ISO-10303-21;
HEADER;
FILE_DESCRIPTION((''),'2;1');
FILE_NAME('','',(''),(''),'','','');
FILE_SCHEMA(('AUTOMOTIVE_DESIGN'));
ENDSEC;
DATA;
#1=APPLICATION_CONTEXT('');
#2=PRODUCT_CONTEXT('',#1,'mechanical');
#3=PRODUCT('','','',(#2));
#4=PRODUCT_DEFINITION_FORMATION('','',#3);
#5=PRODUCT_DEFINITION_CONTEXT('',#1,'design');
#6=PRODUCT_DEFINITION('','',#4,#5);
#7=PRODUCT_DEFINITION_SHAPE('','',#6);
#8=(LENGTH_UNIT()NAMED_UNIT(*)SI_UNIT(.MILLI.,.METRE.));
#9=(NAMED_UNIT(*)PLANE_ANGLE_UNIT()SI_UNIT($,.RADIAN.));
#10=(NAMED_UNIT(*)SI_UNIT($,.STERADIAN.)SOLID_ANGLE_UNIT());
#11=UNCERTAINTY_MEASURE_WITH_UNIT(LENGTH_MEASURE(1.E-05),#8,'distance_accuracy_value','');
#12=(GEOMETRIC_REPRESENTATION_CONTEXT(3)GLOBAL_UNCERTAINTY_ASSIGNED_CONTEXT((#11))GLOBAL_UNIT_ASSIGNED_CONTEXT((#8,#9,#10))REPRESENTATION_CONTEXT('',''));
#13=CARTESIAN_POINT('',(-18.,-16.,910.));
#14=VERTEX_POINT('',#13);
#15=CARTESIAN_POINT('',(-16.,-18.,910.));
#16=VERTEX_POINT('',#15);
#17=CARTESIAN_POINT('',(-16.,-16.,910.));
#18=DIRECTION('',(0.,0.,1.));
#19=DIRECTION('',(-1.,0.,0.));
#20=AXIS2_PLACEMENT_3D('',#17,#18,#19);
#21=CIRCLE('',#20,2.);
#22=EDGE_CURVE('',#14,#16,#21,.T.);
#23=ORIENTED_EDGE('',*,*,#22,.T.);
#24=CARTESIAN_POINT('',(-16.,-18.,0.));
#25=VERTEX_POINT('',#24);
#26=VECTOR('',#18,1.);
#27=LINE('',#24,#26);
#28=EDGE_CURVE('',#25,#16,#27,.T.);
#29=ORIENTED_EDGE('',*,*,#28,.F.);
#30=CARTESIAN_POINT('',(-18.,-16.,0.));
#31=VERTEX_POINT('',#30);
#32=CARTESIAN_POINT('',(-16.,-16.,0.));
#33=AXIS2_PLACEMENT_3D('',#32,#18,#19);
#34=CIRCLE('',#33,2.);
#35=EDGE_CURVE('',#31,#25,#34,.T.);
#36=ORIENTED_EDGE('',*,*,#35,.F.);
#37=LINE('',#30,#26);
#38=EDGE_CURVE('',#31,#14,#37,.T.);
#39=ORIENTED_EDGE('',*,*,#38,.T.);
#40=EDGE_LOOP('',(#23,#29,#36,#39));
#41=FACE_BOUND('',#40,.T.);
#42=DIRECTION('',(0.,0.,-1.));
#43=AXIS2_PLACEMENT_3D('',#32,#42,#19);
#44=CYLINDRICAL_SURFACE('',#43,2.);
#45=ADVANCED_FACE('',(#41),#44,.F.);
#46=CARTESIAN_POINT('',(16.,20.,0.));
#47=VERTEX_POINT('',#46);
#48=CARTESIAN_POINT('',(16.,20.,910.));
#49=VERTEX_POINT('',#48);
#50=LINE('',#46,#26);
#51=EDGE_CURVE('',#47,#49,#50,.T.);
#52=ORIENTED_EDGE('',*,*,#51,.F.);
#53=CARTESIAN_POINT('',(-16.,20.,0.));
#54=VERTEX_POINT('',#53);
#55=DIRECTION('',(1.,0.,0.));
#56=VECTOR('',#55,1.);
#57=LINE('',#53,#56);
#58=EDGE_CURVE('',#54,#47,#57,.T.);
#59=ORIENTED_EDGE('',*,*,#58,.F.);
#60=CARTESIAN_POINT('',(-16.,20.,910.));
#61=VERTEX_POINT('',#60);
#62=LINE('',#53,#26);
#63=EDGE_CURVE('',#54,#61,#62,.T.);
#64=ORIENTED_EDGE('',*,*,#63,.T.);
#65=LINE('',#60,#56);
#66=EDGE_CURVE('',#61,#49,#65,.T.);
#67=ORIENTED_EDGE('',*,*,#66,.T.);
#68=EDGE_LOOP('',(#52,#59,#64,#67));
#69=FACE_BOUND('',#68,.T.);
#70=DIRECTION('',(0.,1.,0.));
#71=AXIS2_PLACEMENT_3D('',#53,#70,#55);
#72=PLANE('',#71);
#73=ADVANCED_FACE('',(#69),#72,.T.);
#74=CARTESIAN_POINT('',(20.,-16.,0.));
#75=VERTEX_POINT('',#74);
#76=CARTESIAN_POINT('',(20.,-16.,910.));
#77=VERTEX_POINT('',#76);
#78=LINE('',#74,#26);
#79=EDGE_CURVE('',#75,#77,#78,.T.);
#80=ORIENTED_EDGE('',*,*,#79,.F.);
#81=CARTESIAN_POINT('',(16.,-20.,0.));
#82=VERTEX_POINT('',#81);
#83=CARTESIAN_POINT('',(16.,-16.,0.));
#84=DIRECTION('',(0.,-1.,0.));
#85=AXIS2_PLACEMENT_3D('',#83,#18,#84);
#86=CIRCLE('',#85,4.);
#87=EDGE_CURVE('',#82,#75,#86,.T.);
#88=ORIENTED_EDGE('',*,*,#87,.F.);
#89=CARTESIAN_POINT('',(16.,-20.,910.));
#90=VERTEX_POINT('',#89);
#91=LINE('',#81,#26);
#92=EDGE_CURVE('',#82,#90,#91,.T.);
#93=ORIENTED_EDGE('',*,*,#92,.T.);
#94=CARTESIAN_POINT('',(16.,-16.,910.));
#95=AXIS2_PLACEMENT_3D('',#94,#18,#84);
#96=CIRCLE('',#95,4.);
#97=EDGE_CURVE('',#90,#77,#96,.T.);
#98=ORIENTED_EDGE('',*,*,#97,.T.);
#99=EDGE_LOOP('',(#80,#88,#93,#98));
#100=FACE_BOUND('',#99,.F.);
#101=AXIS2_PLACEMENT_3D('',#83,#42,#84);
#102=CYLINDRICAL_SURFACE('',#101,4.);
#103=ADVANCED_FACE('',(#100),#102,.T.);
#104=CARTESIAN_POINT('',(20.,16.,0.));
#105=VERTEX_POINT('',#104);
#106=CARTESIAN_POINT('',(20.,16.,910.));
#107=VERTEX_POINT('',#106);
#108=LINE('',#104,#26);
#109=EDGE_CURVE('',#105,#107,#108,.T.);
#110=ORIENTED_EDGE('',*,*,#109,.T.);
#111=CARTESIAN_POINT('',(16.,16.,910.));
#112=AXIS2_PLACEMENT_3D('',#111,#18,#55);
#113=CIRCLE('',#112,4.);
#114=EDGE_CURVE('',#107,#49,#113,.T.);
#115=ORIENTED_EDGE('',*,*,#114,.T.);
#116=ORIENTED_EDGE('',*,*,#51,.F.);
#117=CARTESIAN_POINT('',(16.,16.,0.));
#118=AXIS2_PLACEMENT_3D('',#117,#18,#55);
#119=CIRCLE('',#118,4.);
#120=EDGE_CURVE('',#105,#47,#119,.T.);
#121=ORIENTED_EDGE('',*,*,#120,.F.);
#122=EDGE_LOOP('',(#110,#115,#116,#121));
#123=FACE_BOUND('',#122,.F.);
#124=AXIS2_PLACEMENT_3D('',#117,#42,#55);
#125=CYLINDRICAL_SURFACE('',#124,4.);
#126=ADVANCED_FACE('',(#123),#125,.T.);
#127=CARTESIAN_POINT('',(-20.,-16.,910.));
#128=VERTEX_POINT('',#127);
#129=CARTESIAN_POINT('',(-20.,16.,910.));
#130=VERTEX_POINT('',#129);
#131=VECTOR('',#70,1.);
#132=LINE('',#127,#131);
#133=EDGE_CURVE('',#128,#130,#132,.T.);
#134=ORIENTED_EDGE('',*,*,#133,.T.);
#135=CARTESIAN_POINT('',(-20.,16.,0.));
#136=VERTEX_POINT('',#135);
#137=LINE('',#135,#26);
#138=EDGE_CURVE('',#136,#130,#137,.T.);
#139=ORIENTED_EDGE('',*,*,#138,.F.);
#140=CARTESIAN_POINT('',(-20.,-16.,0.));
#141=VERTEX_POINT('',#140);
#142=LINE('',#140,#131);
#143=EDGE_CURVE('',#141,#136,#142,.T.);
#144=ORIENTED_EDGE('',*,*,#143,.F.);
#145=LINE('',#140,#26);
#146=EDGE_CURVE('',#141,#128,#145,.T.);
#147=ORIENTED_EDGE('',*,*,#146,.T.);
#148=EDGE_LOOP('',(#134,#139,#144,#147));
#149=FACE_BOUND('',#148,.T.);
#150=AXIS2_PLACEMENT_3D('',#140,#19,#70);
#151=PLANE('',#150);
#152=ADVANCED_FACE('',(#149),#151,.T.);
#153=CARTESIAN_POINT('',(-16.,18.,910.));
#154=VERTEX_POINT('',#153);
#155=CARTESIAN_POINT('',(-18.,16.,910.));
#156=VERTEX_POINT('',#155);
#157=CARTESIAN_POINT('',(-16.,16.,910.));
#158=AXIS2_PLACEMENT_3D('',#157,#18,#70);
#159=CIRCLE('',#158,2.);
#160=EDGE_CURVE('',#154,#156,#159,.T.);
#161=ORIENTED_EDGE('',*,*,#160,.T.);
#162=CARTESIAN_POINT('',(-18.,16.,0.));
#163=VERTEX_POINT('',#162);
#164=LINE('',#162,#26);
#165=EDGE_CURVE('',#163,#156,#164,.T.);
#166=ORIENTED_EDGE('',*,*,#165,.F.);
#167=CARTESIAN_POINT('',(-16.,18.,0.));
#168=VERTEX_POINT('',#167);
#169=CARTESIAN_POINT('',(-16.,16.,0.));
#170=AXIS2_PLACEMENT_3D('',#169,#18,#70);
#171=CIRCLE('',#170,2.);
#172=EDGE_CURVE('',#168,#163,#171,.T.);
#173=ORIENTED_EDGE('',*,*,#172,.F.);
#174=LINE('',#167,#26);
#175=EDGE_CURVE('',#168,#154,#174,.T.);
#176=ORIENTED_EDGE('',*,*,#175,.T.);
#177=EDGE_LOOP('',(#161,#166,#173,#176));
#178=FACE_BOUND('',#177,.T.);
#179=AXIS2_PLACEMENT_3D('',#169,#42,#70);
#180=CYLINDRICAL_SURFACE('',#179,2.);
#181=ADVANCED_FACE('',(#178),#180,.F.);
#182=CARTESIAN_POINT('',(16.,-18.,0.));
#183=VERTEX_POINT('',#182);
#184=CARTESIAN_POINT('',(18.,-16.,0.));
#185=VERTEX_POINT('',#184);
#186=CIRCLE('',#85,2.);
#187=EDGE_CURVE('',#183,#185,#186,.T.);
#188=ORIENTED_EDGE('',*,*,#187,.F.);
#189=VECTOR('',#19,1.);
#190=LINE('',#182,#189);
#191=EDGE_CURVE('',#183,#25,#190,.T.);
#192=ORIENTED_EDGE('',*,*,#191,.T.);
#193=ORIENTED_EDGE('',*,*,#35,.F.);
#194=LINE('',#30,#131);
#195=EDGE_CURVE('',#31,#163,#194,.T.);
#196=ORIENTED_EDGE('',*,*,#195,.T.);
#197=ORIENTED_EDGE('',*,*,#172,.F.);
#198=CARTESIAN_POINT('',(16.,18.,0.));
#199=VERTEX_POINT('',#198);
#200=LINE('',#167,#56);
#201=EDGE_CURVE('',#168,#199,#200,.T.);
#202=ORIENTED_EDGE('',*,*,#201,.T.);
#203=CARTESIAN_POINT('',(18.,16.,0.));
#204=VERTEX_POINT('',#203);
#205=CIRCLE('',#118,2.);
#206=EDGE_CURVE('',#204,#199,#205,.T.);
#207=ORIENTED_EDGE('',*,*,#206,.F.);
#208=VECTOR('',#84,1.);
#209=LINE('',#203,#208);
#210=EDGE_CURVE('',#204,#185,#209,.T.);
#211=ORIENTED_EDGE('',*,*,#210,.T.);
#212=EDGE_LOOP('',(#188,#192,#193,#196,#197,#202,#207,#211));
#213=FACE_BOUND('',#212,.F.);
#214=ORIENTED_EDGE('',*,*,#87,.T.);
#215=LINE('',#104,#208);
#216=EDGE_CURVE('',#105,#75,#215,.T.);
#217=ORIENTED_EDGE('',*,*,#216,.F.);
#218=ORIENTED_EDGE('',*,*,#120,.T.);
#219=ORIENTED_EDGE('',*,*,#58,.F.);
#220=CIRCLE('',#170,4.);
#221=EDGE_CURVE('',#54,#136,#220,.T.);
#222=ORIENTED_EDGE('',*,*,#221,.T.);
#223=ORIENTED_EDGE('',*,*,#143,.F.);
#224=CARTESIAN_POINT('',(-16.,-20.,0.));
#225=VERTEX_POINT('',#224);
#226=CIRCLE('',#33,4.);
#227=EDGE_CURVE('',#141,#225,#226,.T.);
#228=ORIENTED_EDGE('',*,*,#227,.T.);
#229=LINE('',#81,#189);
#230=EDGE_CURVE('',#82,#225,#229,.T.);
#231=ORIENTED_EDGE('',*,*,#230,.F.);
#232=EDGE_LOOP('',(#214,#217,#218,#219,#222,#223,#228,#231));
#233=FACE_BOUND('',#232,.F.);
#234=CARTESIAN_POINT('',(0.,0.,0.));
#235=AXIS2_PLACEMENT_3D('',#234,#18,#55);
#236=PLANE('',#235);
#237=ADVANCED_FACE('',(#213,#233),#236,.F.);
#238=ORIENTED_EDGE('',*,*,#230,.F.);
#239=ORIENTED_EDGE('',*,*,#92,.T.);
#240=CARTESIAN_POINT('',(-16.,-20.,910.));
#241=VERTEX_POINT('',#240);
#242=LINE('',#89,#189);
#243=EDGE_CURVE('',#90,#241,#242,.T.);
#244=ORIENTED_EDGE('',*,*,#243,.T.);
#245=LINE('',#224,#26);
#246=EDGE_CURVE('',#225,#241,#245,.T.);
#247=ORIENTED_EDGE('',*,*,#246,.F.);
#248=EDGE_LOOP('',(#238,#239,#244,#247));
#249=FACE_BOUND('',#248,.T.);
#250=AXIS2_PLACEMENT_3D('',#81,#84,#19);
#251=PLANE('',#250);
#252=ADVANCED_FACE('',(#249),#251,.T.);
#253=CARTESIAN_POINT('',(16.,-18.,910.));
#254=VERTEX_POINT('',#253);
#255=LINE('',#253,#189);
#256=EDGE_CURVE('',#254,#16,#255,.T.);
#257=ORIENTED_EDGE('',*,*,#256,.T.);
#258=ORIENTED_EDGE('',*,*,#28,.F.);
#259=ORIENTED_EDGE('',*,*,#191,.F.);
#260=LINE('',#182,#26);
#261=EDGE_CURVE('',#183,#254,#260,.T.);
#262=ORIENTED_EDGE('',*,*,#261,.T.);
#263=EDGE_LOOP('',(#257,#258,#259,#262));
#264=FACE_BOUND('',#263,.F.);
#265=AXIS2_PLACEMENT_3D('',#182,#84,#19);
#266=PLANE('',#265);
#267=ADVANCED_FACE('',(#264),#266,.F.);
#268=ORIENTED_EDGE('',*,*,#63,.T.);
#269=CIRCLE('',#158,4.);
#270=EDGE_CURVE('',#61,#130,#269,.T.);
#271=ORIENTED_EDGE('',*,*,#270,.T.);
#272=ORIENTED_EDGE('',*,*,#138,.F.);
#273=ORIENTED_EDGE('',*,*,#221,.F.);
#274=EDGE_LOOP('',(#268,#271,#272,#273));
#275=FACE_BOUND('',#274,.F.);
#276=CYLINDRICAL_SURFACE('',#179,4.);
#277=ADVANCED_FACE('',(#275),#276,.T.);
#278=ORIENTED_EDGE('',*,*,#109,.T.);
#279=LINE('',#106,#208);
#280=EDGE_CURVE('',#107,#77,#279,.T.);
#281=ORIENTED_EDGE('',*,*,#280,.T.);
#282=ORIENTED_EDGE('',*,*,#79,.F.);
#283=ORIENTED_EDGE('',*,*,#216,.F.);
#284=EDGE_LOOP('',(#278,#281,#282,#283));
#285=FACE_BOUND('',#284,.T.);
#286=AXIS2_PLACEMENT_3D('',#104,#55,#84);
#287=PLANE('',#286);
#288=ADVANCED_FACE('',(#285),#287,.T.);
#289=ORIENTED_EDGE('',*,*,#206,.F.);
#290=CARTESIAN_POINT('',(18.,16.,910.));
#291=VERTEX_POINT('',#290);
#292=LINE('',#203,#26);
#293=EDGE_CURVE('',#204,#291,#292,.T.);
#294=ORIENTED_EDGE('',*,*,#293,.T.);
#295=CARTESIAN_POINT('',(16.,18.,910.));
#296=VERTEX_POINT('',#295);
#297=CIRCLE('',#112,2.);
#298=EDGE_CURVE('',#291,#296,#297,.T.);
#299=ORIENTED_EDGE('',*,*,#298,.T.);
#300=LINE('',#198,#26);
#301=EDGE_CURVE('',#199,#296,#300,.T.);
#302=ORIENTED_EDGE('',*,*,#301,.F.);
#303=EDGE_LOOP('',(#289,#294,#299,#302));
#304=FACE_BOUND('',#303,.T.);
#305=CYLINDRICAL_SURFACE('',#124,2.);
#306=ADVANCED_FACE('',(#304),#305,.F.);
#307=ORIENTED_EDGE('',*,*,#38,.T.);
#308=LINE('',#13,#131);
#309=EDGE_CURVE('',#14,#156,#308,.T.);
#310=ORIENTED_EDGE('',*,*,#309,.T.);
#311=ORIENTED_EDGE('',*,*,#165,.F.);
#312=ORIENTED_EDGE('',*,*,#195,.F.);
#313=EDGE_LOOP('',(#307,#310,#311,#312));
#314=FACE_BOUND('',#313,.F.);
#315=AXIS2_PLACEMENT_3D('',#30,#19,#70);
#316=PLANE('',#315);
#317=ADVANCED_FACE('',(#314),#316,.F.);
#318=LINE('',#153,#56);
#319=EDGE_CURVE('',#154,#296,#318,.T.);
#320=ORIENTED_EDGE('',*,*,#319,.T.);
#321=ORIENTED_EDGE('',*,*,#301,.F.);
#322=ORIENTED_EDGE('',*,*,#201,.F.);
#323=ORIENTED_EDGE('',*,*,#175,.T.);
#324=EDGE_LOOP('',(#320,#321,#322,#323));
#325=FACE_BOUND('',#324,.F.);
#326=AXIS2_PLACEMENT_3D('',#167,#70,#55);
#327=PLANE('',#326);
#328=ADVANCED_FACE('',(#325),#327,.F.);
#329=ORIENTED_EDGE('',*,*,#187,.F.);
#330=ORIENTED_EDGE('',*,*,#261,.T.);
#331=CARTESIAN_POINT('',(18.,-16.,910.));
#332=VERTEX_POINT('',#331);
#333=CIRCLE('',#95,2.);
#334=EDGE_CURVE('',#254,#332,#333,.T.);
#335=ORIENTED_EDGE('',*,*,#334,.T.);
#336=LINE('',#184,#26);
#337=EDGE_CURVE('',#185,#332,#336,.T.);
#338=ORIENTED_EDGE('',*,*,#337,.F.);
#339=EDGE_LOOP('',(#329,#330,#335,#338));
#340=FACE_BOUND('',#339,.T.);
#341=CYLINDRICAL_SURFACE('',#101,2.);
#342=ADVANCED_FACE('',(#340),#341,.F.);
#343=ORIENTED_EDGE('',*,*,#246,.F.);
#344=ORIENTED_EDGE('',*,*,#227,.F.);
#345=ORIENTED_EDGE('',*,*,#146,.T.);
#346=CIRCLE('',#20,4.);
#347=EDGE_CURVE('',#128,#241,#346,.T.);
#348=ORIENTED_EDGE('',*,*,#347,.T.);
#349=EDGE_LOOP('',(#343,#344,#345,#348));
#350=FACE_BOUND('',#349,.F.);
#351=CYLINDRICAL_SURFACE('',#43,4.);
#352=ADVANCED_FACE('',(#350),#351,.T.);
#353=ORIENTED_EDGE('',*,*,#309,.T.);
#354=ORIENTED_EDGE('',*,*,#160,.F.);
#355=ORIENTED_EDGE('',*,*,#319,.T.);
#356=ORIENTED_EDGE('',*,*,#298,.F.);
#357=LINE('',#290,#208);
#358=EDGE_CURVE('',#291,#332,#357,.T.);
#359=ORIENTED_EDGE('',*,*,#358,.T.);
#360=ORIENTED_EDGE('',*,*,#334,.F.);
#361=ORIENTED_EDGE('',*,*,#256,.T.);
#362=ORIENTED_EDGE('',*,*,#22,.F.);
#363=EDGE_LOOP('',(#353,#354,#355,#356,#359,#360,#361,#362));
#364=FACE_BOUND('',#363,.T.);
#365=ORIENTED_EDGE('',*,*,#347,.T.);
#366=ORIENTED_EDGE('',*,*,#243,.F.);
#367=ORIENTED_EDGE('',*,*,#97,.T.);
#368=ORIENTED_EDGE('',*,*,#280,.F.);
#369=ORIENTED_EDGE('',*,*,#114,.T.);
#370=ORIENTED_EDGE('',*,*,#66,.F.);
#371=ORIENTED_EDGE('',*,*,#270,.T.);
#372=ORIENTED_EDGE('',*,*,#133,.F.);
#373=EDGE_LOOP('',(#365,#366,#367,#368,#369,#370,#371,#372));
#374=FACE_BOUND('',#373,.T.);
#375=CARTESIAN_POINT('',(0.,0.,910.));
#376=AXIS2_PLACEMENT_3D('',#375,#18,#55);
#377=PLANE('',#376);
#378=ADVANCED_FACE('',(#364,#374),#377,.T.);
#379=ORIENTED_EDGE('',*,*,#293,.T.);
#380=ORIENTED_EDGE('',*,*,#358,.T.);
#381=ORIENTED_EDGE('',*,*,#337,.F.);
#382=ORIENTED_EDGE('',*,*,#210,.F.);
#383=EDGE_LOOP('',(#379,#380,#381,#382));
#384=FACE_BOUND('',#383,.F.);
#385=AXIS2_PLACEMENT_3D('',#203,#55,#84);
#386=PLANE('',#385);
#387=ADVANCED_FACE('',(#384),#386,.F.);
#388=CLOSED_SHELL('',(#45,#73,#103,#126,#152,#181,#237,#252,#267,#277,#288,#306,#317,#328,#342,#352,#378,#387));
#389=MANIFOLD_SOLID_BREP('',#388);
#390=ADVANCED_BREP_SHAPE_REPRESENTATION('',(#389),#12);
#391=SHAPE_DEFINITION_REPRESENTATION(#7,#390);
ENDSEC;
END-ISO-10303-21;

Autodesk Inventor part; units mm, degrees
ref_plane "YZ Plane" through (0, 0, 0) normal (1, 0, 0) x (0, 1, 0)
ref_plane "Start plane" through (0, 0, 0) normal (0, 0, 1) x (1, 0, 0)
ref_plane "End plane" through (0, 0, 910) normal (0, 0, 1) x (1, 0, 0)
sketch "Sketch" plane through (0, 0, 0) normal (0, 0, 1) x (1, 0, 0)
  line L0 (-20, -16) -> (-20, 16)
  line L1 (-16, 20) -> (16, 20)
  line L2 (20, 16) -> (20, -16)
  line L3 (16, -20) -> (-16, -20)
  arc A0 (-20, -16) -> (-16, -20) centre (-16, -16) ccw
  arc A1 (20, 16) -> (16, 20) centre (16, 16) ccw
  arc A2 (-16, 20) -> (-20, 16) centre (-16, 16) ccw
  arc A3 (16, -20) -> (20, -16) centre (16, -16) ccw
  arc A4 (-16, 18) -> (-18, 16) centre (-16, 16) ccw
  line L4 (-16, 18) -> (16, 18)
  arc A5 (18, 16) -> (16, 18) centre (16, 16) ccw
  line L5 (18, 16) -> (18, -16)
  arc A6 (16, -18) -> (18, -16) centre (16, -16) ccw
  line L6 (16, -18) -> (-16, -18)
  arc A7 (-18, -16) -> (-16, -18) centre (-16, -16) ccw
  line L7 (-18, -16) -> (-18, 16)
  line L8 (0, 36.7397) -> (0, -36.7397) construction
  line L9 (-36.7397, 0) -> (36.7397, 0) construction
  dimension "d7" = 4
  dimension "d9" = 40
  dimension "d11" = 40
  dimension "d12" = 2
  dimension "d15" = 20
  dimension "d16" = 20
extrude "Body" add sketch "Sketch" along normal up to surface (910 mm away) from surface at 0
sketch "Sketch3" plane through (0, 0, 0) normal (0, 0, 1) x (1, 0, 0)
  line L0 (0, 0) -> (10, 0)
ref_plane "Work Plane3" through (0, 0, 0) normal (0, -1, 0) x (1, 0, 0)
sketch "Sketch4" plane through (0, 0, 0) normal (0, -1, 0) x (1, 0, 0)
  line L0 (-2, 0) -> (12, 0) projected
  line L1 (-2, 910) -> (12, 910) projected
  dimension "d18" = 910
equation "\"d7\" = G_IR"
equation "\"d9\" = G_W"
equation "\"d11\" = G_H"
equation "\"d12\" = G_T"
equation "\"d15\" = 0.5 * d9"
equation "\"d16\" = 0.5 * d11"
equation "\"d3\" = G_L"
equation "\"G_W\" = 40"
equation "\"G_H\" = 40"
equation "\"G_T\" = 2"
equation "\"G_IR\" = 4"
equation "\"G_L\" = d18"
equation "\"G_OFFSET_START\" = 0"
equation "\"G_OFFSET_END\" = 0"
properties part number "ISO 10799-2 - 40x40x2 - 910" material "Steel, Mild"
